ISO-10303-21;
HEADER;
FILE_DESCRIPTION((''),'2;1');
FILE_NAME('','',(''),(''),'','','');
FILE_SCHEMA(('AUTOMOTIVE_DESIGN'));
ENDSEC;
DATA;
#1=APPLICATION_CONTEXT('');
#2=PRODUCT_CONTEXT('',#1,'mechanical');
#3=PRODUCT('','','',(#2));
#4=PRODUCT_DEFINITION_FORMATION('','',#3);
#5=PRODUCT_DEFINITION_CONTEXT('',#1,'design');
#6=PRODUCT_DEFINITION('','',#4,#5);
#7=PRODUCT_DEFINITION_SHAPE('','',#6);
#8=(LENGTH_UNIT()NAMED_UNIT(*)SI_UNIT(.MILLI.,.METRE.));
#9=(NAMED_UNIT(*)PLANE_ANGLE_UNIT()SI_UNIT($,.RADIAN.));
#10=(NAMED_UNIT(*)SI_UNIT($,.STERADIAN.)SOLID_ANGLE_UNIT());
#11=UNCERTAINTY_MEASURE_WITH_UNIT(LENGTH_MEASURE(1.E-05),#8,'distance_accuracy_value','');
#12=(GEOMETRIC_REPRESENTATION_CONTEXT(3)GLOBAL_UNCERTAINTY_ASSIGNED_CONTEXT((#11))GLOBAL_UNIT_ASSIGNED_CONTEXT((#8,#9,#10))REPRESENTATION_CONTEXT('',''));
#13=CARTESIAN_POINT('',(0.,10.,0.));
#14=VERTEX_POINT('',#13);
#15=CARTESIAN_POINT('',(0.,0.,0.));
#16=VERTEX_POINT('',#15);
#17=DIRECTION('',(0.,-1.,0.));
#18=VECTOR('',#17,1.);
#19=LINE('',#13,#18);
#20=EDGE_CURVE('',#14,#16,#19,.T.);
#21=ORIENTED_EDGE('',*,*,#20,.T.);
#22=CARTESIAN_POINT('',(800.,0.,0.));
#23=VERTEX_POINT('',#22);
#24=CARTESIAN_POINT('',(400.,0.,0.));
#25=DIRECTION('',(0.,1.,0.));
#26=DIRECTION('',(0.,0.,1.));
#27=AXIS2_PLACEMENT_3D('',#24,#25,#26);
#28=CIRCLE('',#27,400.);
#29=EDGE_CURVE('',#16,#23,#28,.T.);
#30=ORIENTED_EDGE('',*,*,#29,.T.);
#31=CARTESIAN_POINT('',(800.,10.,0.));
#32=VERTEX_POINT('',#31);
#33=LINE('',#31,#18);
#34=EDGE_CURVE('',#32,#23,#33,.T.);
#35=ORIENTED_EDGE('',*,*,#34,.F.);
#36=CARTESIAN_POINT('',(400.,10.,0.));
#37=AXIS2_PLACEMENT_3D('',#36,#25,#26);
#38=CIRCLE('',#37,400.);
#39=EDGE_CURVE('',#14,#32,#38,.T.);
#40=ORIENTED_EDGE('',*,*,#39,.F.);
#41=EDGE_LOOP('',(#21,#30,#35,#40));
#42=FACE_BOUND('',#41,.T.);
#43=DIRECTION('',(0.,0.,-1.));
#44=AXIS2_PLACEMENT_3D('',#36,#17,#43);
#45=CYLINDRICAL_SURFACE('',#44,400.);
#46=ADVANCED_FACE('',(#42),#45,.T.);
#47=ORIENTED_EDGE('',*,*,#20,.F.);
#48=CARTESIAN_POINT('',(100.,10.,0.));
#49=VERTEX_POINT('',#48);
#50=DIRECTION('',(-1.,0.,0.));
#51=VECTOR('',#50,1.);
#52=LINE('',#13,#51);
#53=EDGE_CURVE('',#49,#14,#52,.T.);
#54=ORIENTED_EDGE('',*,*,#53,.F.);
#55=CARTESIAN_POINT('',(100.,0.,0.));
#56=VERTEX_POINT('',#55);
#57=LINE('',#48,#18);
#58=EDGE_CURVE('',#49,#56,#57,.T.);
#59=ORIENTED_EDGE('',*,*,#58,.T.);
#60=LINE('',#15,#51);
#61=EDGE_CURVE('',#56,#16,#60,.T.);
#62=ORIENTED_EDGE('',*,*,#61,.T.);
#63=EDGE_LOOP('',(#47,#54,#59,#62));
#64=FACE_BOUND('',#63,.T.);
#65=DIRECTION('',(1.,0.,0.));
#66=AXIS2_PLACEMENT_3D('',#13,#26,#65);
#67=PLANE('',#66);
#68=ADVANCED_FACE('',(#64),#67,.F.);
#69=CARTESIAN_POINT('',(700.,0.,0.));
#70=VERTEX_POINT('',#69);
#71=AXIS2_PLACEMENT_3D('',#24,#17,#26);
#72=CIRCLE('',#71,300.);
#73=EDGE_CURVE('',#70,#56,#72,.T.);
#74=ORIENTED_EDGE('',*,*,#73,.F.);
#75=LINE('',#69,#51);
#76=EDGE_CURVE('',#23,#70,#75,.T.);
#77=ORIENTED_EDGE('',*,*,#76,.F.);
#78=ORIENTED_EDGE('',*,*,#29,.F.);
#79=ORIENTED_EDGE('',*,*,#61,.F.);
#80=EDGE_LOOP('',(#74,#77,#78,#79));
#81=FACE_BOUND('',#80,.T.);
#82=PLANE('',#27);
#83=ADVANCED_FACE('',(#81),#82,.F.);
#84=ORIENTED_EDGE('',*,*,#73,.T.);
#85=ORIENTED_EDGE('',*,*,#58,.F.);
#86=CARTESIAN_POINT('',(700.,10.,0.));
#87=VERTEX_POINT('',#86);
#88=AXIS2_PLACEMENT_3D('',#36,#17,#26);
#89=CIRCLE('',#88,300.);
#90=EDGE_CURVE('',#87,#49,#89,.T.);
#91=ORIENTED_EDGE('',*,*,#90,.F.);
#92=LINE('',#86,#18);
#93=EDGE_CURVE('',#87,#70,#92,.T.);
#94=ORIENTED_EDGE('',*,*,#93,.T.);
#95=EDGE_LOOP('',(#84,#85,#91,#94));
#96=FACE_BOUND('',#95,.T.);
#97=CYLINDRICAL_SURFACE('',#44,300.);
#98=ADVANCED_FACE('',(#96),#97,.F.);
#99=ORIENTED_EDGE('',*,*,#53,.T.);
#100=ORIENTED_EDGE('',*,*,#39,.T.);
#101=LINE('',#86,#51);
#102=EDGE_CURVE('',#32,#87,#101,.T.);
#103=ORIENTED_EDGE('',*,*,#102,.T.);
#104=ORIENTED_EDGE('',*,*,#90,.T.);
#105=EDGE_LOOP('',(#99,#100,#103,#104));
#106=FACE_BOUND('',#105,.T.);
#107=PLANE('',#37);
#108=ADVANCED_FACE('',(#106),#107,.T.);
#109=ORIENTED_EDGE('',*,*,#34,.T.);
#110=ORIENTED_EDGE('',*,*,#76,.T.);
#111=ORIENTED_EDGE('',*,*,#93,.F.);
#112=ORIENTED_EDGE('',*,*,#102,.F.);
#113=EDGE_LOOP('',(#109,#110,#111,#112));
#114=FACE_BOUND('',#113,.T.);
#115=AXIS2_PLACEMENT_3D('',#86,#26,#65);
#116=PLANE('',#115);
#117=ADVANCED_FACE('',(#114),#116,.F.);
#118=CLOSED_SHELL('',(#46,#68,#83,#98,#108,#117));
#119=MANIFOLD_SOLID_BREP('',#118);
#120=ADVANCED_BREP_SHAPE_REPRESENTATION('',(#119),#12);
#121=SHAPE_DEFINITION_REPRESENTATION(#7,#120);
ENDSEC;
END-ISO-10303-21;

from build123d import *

# Parameters (mm, degrees)
EXTRUSION1_DEPTH = 10


with BuildPart() as part:
    # Esquisse1 → Extrusion1 (new body)
    with BuildSketch(Plane(origin=(0, 0, 0), x_dir=(1, 0, 0), z_dir=(0, 1, 0))):
        with BuildLine():
            Line((0, 0), (100, 0))
            ThreePointArc((100, 0), (400, -300), (700, 0))
            Line((700, 0), (800, 0))
            ThreePointArc((800, 0), (400, -400), (0, 0))
        make_face()
    extrude(amount=EXTRUSION1_DEPTH)


solid = part.part
